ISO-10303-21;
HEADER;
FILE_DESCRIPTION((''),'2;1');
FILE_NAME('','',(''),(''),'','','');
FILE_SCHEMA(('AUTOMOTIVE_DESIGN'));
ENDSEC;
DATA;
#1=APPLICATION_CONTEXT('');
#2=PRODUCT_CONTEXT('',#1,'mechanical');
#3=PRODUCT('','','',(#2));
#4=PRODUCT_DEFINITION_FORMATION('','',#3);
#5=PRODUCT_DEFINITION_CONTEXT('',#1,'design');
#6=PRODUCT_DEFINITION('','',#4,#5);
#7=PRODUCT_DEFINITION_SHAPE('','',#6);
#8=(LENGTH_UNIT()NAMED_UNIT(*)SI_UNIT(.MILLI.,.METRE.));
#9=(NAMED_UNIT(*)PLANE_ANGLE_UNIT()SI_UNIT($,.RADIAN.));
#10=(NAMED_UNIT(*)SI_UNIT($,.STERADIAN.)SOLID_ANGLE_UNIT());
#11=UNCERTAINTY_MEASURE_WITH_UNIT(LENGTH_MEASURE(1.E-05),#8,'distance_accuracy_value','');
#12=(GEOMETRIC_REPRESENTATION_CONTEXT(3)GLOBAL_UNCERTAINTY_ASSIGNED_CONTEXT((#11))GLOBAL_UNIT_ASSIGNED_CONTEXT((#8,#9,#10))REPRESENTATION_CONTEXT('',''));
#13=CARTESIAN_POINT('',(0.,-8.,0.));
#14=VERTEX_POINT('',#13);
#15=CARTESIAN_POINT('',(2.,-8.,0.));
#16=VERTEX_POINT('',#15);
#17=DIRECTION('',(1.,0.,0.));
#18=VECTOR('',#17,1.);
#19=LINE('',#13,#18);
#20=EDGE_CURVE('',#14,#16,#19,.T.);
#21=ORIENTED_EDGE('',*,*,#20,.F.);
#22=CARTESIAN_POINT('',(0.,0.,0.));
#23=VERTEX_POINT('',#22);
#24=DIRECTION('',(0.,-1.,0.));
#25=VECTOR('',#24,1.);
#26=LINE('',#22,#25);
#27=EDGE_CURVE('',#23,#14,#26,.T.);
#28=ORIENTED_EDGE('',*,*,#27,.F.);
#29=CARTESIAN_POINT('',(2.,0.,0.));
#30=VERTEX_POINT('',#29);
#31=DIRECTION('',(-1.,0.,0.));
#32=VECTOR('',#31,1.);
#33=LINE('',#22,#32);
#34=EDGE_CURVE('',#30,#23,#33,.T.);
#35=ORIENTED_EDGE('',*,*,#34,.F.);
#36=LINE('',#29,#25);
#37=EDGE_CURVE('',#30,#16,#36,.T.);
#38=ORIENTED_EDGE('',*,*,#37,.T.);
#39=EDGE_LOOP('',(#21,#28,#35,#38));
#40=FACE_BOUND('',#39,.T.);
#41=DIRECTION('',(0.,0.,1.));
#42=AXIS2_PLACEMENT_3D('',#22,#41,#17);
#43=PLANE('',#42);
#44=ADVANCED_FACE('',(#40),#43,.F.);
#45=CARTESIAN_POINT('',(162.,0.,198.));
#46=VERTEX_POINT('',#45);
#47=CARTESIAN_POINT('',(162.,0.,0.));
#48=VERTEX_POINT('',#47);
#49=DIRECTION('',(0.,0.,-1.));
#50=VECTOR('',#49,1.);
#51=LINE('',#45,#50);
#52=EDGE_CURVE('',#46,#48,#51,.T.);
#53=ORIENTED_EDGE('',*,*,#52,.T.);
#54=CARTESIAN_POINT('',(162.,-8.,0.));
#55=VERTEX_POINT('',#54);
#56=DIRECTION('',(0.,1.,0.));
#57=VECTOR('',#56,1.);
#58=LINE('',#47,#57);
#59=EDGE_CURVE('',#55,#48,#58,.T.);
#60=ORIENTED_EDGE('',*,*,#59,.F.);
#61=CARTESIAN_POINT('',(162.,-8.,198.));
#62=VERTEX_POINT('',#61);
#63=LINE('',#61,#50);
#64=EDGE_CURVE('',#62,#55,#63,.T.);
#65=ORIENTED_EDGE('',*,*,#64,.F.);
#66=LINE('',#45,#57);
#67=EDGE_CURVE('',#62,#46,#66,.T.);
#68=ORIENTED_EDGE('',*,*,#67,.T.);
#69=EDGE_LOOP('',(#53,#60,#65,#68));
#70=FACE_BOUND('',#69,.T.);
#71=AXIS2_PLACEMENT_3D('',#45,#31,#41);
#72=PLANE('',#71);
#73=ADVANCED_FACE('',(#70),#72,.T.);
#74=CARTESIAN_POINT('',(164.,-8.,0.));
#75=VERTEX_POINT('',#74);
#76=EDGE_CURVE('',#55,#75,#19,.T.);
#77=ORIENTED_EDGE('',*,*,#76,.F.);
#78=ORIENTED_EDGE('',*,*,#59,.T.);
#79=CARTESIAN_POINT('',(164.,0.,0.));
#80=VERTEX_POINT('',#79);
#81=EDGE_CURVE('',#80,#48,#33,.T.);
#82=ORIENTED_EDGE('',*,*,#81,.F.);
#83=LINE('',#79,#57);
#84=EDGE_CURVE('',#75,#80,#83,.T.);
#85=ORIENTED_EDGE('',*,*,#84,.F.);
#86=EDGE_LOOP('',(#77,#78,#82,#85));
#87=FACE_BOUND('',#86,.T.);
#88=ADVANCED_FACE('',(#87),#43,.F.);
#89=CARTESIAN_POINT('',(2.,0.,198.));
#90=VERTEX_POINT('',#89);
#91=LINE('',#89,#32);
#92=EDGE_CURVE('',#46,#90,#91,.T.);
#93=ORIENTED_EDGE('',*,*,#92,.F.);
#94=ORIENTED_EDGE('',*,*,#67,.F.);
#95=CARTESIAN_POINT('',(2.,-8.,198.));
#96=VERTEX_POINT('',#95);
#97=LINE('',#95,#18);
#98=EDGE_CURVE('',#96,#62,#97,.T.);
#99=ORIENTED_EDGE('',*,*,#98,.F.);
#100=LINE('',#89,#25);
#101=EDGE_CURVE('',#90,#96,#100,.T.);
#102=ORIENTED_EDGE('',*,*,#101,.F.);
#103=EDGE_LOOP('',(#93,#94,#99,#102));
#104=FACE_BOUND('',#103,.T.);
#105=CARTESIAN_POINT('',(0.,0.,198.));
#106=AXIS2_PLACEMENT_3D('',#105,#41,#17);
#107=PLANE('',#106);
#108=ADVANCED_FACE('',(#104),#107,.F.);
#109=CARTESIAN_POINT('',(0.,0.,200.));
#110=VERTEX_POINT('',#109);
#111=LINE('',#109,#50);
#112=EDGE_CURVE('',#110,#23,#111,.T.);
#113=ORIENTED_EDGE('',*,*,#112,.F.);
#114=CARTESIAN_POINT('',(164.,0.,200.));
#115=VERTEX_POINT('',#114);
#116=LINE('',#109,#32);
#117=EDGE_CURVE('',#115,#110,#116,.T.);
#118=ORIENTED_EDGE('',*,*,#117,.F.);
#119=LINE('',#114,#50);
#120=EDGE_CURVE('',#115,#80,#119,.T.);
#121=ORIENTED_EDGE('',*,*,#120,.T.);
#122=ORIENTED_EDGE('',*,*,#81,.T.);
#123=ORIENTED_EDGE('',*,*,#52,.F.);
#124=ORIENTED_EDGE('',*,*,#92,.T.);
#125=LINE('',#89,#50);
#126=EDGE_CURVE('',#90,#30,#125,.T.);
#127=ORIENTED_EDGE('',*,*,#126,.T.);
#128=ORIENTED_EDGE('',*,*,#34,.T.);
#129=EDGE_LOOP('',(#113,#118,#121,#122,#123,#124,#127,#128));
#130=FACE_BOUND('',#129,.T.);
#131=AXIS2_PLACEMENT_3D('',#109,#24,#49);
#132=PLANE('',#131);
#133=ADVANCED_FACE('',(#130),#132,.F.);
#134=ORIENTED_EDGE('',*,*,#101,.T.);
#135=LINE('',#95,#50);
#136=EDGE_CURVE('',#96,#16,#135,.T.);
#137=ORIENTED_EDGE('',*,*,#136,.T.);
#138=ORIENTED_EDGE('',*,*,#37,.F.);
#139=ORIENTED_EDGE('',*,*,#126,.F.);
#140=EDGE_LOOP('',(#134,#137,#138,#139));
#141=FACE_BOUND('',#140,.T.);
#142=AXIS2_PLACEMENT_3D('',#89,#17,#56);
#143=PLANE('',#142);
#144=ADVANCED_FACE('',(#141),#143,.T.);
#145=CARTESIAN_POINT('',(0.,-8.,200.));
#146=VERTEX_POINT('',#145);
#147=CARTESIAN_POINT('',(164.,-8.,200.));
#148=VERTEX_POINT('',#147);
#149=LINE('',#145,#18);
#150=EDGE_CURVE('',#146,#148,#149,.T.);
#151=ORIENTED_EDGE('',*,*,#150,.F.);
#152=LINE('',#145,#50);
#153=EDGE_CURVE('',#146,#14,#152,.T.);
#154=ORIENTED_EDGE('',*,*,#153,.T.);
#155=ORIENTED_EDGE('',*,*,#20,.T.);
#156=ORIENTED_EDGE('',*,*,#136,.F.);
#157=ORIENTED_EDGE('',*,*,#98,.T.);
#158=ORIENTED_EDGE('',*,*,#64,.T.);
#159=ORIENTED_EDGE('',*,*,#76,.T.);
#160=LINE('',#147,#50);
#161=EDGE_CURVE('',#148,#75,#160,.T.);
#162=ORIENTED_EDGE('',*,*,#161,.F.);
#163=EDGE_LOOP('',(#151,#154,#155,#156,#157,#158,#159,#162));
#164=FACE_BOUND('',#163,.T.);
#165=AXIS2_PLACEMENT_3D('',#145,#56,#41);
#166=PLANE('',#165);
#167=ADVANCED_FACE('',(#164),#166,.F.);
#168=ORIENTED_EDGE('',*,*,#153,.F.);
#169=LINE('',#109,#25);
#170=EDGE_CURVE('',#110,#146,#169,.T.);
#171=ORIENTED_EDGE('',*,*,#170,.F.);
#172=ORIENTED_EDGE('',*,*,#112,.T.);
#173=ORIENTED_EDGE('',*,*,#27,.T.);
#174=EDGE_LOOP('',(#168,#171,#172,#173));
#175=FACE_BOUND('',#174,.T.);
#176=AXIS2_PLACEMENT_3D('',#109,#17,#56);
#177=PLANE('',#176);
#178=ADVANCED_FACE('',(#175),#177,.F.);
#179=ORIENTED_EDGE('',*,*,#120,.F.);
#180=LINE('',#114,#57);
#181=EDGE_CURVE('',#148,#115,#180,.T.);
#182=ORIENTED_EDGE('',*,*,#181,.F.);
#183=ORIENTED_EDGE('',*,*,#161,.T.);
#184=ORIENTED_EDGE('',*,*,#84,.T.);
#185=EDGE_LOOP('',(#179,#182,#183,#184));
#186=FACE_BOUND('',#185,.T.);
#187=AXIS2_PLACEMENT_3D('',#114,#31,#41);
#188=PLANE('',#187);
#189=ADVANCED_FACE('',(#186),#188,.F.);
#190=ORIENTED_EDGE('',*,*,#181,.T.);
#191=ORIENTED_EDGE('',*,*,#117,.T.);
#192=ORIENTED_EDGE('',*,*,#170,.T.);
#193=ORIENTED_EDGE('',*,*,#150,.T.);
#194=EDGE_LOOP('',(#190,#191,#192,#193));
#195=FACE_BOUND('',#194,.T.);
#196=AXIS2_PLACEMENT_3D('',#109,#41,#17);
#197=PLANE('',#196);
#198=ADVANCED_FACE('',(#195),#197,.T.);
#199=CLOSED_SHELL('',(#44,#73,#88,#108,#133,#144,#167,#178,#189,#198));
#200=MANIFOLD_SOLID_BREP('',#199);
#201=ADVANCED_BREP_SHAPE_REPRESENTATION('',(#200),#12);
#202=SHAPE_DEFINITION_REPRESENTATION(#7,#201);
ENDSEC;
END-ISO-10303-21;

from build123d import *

# Parameters (mm, degrees)
ESQUISSE1_W             = 164
ESQUISSE1_H             = 8
BOSS_EXTRU_1_DEPTH      = 200
ESQUISSE2_W             = 160
ESQUISSE2_H             = 8
ENL_V_MAT_EXTRU_2_DEPTH = 198


with BuildPart() as part:
    # Esquisse1 → Boss.-Extru.1 (new body)
    with BuildSketch(Plane.XY):
        with Locations((82, -4)):
            Rectangle(ESQUISSE1_W, ESQUISSE1_H)
    extrude(amount=BOSS_EXTRU_1_DEPTH)

    # Esquisse2 → Enlèv. mat.-Extru.2 (cut)
    with BuildSketch(Plane.XY):
        with Locations((82, -4)):
            Rectangle(ESQUISSE2_W, ESQUISSE2_H)
    extrude(amount=ENL_V_MAT_EXTRU_2_DEPTH, mode=Mode.SUBTRACT)


solid = part.part
